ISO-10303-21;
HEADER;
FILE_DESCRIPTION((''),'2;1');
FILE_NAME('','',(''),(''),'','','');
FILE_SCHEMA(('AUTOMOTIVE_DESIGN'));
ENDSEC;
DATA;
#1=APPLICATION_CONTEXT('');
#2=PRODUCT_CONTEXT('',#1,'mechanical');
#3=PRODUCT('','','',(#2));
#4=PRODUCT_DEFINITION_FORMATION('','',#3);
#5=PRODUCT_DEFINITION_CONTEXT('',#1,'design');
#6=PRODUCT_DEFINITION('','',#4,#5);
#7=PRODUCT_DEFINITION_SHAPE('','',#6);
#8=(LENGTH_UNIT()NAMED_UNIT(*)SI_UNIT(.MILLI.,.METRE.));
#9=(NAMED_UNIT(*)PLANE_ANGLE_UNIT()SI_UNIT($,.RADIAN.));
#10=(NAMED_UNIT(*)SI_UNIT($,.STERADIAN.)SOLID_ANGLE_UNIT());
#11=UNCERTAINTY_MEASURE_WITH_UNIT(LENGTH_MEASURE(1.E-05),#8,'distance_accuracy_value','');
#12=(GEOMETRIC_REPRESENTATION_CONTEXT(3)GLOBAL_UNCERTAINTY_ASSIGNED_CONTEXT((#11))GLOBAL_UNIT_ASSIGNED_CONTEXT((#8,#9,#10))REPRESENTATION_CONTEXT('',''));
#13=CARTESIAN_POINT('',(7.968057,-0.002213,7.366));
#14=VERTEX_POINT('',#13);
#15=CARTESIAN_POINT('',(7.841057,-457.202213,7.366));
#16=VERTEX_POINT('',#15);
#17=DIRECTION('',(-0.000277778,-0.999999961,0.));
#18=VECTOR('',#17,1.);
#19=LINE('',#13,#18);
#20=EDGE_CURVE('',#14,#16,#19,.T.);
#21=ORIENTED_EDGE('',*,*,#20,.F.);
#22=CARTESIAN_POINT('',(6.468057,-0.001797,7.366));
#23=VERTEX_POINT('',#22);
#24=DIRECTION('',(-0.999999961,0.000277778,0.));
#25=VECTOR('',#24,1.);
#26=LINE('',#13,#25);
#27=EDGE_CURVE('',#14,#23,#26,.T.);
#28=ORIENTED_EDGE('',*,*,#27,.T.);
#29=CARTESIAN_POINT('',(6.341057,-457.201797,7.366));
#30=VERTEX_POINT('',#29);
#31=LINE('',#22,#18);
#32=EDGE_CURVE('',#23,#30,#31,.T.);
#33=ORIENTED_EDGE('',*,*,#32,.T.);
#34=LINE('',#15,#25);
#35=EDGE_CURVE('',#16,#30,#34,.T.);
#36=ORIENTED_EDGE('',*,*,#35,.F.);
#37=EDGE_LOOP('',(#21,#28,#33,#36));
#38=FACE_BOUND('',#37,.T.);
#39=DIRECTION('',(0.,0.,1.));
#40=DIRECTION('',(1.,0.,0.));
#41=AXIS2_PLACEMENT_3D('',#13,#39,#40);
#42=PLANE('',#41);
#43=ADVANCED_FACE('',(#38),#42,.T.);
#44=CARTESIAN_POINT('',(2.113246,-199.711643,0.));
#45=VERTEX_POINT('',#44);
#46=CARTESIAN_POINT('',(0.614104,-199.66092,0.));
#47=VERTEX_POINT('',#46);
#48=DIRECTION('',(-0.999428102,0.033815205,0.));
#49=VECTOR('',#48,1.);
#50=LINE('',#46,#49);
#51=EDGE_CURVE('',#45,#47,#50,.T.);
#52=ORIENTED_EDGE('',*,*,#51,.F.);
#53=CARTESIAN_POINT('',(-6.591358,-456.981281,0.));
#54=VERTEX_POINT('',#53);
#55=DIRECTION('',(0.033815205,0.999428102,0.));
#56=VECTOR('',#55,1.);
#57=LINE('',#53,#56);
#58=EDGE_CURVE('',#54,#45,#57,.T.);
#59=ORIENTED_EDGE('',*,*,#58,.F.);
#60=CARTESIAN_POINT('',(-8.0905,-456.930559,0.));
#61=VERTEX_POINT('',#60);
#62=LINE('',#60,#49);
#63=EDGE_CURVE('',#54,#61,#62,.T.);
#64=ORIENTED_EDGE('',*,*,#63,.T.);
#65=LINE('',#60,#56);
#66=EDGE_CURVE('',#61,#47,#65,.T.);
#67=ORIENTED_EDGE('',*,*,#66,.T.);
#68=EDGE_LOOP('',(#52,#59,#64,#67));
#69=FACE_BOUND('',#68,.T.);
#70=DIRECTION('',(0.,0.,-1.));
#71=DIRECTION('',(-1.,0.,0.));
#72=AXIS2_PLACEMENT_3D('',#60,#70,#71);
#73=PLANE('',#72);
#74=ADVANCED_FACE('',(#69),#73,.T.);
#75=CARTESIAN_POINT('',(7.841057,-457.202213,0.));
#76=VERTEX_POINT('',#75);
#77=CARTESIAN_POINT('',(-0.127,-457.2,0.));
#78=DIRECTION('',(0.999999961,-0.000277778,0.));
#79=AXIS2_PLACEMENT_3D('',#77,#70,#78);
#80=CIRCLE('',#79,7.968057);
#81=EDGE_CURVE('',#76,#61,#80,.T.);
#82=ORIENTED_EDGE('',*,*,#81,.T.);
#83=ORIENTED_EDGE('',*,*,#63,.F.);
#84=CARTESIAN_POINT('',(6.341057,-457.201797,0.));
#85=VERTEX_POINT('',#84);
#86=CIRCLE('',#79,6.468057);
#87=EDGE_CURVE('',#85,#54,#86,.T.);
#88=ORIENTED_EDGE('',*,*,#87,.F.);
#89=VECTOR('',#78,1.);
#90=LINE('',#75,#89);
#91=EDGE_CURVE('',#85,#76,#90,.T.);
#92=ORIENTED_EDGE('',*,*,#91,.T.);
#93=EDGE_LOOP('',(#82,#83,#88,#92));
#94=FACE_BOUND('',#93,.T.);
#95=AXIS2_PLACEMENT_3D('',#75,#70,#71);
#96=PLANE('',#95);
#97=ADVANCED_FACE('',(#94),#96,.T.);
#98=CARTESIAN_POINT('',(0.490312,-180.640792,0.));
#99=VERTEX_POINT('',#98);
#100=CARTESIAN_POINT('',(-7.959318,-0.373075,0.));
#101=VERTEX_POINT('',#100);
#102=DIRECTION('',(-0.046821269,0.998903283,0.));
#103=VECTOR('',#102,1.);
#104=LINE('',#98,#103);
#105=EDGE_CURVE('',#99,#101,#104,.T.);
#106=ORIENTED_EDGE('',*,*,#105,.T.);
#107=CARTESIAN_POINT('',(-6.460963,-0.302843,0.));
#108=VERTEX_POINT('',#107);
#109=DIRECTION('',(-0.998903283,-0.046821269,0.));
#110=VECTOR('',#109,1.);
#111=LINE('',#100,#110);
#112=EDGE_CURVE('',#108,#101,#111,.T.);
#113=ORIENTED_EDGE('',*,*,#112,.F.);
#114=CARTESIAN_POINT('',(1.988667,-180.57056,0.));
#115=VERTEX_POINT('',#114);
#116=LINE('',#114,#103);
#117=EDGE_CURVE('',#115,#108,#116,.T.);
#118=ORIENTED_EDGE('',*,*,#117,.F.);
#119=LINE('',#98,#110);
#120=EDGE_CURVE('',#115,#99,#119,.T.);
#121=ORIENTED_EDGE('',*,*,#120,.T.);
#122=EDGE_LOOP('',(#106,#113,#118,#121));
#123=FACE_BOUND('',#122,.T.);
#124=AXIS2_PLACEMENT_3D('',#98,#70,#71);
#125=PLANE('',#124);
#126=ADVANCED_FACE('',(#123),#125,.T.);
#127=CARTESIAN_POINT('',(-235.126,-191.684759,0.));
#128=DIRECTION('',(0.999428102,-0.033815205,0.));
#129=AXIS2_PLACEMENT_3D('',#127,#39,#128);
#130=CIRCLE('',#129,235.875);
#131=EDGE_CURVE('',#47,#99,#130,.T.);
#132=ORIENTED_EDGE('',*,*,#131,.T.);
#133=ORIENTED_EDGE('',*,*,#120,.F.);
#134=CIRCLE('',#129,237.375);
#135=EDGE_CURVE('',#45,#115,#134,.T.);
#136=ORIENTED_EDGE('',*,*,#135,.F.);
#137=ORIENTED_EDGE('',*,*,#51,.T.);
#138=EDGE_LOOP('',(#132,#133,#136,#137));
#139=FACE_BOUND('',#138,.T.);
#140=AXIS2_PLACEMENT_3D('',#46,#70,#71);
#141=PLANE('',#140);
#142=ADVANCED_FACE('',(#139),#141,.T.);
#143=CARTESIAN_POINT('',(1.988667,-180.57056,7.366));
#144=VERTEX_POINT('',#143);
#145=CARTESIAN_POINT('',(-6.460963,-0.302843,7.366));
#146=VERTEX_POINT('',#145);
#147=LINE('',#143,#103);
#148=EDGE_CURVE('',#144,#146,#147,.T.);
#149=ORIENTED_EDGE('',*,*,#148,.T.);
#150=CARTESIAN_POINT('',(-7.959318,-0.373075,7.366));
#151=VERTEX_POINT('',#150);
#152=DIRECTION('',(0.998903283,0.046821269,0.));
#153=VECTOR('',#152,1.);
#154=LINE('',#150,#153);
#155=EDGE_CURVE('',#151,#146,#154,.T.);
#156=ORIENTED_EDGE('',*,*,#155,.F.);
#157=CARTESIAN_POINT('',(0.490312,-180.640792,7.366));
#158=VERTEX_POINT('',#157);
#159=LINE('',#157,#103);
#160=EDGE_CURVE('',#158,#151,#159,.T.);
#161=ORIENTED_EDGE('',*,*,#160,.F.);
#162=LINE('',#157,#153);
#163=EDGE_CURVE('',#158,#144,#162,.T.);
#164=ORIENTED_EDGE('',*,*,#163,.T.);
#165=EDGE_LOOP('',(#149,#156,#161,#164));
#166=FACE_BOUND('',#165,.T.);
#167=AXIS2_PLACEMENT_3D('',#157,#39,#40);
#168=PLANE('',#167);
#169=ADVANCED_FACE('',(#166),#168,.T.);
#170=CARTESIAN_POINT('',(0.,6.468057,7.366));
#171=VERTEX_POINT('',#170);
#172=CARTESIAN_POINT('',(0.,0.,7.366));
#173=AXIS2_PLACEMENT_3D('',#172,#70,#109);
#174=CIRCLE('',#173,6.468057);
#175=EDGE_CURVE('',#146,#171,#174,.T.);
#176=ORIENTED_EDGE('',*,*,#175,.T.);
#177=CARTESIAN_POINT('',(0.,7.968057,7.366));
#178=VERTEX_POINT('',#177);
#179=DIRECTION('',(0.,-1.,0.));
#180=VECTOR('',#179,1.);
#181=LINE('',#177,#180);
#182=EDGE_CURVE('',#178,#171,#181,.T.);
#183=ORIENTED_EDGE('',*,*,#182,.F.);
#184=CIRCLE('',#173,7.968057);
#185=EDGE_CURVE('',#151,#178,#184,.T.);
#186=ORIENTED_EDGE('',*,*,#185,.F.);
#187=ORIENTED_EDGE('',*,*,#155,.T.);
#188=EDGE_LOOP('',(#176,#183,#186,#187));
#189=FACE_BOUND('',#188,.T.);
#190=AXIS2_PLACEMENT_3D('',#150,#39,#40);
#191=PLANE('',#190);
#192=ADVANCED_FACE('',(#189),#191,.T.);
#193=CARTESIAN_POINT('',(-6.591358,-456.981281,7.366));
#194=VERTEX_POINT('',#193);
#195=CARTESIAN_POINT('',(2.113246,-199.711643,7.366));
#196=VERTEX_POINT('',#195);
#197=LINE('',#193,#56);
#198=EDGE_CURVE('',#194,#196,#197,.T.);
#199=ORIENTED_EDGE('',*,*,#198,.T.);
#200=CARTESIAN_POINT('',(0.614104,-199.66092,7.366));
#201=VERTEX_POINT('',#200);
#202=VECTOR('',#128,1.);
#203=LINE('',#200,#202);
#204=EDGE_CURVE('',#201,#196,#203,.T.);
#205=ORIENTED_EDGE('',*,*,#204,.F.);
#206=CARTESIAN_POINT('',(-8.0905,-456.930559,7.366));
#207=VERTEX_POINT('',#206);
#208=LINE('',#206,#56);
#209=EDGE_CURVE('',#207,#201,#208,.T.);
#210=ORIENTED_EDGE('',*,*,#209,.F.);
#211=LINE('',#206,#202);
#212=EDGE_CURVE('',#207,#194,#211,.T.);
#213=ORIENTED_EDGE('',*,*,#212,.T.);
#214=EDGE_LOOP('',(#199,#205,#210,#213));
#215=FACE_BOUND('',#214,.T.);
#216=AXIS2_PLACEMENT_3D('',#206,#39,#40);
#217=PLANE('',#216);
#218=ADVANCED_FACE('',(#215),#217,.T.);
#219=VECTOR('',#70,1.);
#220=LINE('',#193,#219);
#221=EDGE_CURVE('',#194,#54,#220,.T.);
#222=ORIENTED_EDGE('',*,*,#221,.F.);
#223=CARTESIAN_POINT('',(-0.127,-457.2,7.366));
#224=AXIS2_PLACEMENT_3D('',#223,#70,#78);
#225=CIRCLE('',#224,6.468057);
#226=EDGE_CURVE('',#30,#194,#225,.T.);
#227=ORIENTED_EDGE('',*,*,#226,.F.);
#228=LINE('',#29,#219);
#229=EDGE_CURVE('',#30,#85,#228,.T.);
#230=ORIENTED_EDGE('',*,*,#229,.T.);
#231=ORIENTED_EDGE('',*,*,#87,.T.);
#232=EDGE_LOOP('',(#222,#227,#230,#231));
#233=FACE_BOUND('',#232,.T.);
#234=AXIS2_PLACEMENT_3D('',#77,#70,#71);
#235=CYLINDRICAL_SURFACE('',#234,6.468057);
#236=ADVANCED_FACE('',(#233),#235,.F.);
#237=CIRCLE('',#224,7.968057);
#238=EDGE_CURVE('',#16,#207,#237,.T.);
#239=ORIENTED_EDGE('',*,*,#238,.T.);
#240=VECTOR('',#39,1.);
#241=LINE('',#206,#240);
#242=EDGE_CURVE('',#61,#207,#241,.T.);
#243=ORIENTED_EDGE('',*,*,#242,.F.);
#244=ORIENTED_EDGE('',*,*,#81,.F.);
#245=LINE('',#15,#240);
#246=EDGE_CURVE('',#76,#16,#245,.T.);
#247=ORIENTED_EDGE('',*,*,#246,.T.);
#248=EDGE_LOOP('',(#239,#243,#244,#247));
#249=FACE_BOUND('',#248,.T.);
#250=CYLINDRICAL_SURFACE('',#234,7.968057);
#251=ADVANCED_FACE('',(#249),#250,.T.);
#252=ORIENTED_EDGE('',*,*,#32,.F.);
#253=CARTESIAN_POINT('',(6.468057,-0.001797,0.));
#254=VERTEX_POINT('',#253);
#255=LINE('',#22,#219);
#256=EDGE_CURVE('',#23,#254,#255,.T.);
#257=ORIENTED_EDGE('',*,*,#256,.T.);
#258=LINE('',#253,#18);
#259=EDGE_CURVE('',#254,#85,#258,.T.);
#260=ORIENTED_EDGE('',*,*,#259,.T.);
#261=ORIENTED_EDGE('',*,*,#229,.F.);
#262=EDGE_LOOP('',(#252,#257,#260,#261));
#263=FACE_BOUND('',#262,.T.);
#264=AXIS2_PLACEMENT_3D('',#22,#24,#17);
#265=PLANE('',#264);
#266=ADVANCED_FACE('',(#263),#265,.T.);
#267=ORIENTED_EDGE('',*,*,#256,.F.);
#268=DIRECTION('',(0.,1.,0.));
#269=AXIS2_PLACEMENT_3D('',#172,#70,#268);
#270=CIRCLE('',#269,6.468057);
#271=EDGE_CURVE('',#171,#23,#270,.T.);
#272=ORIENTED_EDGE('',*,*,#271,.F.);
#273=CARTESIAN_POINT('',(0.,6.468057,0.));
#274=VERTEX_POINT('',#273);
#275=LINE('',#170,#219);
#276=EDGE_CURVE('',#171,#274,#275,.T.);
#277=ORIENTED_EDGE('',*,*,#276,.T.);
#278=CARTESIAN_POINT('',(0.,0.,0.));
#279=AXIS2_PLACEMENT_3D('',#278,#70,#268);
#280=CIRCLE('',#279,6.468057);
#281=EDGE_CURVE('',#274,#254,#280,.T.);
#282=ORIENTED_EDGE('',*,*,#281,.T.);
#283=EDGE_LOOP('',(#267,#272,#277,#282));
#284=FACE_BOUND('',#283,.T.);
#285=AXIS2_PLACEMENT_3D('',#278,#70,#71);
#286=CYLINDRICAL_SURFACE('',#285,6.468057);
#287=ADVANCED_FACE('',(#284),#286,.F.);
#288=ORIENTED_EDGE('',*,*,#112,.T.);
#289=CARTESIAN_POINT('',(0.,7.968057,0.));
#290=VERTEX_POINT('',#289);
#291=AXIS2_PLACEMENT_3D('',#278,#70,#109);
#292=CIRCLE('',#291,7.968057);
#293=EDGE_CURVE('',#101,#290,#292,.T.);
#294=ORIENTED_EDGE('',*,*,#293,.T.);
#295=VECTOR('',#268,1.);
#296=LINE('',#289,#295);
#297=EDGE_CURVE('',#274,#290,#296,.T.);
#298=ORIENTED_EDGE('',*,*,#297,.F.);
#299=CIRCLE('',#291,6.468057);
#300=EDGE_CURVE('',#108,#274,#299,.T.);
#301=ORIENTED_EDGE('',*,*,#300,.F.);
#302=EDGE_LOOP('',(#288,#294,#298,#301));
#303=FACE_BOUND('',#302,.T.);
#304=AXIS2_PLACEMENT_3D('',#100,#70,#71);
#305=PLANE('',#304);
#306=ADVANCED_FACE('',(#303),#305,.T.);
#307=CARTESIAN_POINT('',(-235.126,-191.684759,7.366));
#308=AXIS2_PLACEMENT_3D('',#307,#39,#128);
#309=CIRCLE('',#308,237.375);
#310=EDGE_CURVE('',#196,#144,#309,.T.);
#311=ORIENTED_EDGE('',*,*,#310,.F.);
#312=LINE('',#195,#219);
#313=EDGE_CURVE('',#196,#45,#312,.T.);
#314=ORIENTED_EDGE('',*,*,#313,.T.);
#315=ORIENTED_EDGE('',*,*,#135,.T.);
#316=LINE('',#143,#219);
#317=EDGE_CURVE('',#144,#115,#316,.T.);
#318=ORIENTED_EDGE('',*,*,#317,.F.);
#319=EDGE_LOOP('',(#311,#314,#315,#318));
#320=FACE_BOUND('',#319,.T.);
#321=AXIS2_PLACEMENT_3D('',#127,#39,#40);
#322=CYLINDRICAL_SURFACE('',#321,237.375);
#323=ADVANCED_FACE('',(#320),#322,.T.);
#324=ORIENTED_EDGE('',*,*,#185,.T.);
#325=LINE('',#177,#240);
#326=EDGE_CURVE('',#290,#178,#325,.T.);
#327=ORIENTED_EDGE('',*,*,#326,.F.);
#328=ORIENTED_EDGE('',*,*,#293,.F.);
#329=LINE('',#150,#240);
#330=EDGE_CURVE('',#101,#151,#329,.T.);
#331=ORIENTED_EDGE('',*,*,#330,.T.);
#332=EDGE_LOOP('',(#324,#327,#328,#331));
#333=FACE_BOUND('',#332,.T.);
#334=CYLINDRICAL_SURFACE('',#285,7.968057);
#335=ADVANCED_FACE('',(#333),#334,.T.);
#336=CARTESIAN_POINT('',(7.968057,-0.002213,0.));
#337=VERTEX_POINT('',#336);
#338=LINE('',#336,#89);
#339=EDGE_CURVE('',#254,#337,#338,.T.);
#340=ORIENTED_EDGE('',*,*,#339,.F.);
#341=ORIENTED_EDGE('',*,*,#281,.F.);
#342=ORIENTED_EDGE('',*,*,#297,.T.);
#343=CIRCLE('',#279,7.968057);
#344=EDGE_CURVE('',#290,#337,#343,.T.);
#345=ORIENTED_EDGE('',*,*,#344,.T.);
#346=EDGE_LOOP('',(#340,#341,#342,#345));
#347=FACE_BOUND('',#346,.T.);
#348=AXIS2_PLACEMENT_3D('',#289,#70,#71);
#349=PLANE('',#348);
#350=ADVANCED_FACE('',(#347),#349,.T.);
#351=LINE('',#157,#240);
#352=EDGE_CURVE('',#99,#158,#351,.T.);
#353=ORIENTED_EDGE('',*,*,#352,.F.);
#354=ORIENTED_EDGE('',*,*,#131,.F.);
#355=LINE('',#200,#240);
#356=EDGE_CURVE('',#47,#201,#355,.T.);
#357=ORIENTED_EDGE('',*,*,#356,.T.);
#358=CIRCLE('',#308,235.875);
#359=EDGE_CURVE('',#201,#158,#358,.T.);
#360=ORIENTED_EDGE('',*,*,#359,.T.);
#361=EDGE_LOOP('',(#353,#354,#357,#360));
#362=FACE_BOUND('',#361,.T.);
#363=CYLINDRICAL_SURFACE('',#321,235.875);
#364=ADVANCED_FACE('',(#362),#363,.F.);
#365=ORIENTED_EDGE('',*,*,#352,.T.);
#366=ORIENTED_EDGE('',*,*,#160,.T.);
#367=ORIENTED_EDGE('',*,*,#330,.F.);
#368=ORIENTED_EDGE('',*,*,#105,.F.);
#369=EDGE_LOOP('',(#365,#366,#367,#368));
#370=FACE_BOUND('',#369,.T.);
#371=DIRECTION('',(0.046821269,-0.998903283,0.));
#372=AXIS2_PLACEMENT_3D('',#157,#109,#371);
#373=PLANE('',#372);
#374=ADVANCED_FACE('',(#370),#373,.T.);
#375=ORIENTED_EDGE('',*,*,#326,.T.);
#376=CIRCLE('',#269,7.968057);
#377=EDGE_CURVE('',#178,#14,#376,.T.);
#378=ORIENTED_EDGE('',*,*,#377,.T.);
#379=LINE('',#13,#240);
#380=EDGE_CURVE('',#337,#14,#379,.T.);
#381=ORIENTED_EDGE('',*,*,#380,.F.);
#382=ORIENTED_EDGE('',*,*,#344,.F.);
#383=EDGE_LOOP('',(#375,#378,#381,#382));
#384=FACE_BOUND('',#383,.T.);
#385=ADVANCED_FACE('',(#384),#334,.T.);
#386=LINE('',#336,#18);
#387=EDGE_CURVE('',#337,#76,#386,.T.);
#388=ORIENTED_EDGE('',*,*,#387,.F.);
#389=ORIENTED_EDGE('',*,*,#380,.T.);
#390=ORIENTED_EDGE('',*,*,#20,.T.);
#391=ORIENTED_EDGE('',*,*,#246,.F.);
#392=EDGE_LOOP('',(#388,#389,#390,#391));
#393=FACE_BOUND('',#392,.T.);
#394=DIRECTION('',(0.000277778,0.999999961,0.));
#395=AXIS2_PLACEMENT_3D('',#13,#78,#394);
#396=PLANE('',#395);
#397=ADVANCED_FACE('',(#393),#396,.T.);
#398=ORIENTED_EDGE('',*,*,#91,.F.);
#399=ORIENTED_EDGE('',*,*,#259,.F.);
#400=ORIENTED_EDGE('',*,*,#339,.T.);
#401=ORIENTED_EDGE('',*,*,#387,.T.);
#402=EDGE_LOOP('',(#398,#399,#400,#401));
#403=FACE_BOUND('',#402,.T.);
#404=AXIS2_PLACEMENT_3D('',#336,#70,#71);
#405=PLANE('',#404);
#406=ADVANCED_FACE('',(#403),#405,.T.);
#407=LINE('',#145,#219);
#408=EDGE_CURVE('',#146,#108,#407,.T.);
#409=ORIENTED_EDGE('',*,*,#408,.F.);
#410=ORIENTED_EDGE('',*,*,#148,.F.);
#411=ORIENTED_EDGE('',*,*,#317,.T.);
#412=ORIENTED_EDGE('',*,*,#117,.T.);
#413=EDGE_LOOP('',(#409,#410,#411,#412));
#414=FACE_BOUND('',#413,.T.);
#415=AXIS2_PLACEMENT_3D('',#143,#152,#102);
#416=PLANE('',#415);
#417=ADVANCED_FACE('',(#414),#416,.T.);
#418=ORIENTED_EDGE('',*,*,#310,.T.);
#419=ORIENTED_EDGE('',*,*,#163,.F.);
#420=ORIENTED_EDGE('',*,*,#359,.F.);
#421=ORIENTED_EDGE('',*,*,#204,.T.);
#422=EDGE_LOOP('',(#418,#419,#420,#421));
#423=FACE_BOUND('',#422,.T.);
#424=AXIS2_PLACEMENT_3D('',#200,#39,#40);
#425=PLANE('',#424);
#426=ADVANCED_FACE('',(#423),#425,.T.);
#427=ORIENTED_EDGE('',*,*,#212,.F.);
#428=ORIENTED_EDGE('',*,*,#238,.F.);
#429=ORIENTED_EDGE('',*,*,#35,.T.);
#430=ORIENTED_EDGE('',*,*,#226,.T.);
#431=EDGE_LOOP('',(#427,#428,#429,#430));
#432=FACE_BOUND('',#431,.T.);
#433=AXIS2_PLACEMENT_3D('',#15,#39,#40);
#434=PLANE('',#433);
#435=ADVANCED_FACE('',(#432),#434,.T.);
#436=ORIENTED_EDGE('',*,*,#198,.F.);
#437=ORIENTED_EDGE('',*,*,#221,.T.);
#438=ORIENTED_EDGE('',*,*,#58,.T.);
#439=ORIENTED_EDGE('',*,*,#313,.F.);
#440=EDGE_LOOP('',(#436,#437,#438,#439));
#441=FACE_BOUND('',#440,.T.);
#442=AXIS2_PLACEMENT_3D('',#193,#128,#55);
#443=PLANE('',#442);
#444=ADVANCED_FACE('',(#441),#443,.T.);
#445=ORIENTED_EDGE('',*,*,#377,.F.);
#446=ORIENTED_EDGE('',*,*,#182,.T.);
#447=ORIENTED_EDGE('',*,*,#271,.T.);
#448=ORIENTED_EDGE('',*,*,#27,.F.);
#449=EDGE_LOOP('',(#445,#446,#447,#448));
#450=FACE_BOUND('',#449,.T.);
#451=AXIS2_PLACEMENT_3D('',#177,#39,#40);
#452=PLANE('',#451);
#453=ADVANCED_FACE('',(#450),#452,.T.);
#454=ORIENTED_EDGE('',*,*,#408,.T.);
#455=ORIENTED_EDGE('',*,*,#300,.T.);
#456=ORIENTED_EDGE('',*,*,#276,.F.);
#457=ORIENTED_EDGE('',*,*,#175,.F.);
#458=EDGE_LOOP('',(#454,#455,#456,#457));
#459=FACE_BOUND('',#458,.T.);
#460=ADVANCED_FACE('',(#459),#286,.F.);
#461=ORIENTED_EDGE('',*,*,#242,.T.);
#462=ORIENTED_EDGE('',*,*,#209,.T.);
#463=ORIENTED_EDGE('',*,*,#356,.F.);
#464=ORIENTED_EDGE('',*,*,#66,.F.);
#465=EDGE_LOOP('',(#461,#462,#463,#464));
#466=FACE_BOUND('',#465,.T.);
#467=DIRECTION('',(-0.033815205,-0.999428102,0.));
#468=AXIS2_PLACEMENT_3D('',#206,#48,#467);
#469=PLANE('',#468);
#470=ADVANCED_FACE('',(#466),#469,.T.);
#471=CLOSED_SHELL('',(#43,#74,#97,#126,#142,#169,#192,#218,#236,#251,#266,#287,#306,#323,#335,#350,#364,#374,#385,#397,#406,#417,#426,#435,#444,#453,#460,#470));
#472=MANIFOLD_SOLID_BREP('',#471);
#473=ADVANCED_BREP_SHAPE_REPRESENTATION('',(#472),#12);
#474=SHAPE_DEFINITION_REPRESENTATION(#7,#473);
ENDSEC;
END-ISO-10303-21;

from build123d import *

# Parameters (mm, degrees)
SKETCH4_W = 7.366
SKETCH4_H = 1.5


with BuildPart() as part:
    # Sweep1: sweep along a path in Sketch2
    with BuildLine(Plane.XY) as sweep1_path:
        Line((7.091056719, -457.202005016), (7.218056719, -0.002005016))
        ThreePointArc((7.218056719, -0.002005016), (-0.16802341, 7.216101091), (-7.210140832, -0.33795859))
        Line((-7.210140832, -0.33795859), (1.239489336, -180.605675903))
        ThreePointArc((1.239489336, -180.605675903), (1.493988432, -190.144726502), (1.363674734, -199.686281641))
        Line((1.363674734, -199.686281641), (-7.340929008, -456.955919922))
        ThreePointArc((-7.340929008, -456.955919922), (-0.250059855, -464.417007904), (7.091056719, -457.202005016))
    # Sketch4 → Sweep1 (sweep)
    with BuildSketch(Plane(origin=(0, 0, 0), x_dir=(0, 0, -1), z_dir=(1, 0, 0))):
        with Locations((-3.683, 7.218056998)):
            Rectangle(SKETCH4_W, SKETCH4_H)
    sweep(path=sweep1_path.line)


solid = part.part
